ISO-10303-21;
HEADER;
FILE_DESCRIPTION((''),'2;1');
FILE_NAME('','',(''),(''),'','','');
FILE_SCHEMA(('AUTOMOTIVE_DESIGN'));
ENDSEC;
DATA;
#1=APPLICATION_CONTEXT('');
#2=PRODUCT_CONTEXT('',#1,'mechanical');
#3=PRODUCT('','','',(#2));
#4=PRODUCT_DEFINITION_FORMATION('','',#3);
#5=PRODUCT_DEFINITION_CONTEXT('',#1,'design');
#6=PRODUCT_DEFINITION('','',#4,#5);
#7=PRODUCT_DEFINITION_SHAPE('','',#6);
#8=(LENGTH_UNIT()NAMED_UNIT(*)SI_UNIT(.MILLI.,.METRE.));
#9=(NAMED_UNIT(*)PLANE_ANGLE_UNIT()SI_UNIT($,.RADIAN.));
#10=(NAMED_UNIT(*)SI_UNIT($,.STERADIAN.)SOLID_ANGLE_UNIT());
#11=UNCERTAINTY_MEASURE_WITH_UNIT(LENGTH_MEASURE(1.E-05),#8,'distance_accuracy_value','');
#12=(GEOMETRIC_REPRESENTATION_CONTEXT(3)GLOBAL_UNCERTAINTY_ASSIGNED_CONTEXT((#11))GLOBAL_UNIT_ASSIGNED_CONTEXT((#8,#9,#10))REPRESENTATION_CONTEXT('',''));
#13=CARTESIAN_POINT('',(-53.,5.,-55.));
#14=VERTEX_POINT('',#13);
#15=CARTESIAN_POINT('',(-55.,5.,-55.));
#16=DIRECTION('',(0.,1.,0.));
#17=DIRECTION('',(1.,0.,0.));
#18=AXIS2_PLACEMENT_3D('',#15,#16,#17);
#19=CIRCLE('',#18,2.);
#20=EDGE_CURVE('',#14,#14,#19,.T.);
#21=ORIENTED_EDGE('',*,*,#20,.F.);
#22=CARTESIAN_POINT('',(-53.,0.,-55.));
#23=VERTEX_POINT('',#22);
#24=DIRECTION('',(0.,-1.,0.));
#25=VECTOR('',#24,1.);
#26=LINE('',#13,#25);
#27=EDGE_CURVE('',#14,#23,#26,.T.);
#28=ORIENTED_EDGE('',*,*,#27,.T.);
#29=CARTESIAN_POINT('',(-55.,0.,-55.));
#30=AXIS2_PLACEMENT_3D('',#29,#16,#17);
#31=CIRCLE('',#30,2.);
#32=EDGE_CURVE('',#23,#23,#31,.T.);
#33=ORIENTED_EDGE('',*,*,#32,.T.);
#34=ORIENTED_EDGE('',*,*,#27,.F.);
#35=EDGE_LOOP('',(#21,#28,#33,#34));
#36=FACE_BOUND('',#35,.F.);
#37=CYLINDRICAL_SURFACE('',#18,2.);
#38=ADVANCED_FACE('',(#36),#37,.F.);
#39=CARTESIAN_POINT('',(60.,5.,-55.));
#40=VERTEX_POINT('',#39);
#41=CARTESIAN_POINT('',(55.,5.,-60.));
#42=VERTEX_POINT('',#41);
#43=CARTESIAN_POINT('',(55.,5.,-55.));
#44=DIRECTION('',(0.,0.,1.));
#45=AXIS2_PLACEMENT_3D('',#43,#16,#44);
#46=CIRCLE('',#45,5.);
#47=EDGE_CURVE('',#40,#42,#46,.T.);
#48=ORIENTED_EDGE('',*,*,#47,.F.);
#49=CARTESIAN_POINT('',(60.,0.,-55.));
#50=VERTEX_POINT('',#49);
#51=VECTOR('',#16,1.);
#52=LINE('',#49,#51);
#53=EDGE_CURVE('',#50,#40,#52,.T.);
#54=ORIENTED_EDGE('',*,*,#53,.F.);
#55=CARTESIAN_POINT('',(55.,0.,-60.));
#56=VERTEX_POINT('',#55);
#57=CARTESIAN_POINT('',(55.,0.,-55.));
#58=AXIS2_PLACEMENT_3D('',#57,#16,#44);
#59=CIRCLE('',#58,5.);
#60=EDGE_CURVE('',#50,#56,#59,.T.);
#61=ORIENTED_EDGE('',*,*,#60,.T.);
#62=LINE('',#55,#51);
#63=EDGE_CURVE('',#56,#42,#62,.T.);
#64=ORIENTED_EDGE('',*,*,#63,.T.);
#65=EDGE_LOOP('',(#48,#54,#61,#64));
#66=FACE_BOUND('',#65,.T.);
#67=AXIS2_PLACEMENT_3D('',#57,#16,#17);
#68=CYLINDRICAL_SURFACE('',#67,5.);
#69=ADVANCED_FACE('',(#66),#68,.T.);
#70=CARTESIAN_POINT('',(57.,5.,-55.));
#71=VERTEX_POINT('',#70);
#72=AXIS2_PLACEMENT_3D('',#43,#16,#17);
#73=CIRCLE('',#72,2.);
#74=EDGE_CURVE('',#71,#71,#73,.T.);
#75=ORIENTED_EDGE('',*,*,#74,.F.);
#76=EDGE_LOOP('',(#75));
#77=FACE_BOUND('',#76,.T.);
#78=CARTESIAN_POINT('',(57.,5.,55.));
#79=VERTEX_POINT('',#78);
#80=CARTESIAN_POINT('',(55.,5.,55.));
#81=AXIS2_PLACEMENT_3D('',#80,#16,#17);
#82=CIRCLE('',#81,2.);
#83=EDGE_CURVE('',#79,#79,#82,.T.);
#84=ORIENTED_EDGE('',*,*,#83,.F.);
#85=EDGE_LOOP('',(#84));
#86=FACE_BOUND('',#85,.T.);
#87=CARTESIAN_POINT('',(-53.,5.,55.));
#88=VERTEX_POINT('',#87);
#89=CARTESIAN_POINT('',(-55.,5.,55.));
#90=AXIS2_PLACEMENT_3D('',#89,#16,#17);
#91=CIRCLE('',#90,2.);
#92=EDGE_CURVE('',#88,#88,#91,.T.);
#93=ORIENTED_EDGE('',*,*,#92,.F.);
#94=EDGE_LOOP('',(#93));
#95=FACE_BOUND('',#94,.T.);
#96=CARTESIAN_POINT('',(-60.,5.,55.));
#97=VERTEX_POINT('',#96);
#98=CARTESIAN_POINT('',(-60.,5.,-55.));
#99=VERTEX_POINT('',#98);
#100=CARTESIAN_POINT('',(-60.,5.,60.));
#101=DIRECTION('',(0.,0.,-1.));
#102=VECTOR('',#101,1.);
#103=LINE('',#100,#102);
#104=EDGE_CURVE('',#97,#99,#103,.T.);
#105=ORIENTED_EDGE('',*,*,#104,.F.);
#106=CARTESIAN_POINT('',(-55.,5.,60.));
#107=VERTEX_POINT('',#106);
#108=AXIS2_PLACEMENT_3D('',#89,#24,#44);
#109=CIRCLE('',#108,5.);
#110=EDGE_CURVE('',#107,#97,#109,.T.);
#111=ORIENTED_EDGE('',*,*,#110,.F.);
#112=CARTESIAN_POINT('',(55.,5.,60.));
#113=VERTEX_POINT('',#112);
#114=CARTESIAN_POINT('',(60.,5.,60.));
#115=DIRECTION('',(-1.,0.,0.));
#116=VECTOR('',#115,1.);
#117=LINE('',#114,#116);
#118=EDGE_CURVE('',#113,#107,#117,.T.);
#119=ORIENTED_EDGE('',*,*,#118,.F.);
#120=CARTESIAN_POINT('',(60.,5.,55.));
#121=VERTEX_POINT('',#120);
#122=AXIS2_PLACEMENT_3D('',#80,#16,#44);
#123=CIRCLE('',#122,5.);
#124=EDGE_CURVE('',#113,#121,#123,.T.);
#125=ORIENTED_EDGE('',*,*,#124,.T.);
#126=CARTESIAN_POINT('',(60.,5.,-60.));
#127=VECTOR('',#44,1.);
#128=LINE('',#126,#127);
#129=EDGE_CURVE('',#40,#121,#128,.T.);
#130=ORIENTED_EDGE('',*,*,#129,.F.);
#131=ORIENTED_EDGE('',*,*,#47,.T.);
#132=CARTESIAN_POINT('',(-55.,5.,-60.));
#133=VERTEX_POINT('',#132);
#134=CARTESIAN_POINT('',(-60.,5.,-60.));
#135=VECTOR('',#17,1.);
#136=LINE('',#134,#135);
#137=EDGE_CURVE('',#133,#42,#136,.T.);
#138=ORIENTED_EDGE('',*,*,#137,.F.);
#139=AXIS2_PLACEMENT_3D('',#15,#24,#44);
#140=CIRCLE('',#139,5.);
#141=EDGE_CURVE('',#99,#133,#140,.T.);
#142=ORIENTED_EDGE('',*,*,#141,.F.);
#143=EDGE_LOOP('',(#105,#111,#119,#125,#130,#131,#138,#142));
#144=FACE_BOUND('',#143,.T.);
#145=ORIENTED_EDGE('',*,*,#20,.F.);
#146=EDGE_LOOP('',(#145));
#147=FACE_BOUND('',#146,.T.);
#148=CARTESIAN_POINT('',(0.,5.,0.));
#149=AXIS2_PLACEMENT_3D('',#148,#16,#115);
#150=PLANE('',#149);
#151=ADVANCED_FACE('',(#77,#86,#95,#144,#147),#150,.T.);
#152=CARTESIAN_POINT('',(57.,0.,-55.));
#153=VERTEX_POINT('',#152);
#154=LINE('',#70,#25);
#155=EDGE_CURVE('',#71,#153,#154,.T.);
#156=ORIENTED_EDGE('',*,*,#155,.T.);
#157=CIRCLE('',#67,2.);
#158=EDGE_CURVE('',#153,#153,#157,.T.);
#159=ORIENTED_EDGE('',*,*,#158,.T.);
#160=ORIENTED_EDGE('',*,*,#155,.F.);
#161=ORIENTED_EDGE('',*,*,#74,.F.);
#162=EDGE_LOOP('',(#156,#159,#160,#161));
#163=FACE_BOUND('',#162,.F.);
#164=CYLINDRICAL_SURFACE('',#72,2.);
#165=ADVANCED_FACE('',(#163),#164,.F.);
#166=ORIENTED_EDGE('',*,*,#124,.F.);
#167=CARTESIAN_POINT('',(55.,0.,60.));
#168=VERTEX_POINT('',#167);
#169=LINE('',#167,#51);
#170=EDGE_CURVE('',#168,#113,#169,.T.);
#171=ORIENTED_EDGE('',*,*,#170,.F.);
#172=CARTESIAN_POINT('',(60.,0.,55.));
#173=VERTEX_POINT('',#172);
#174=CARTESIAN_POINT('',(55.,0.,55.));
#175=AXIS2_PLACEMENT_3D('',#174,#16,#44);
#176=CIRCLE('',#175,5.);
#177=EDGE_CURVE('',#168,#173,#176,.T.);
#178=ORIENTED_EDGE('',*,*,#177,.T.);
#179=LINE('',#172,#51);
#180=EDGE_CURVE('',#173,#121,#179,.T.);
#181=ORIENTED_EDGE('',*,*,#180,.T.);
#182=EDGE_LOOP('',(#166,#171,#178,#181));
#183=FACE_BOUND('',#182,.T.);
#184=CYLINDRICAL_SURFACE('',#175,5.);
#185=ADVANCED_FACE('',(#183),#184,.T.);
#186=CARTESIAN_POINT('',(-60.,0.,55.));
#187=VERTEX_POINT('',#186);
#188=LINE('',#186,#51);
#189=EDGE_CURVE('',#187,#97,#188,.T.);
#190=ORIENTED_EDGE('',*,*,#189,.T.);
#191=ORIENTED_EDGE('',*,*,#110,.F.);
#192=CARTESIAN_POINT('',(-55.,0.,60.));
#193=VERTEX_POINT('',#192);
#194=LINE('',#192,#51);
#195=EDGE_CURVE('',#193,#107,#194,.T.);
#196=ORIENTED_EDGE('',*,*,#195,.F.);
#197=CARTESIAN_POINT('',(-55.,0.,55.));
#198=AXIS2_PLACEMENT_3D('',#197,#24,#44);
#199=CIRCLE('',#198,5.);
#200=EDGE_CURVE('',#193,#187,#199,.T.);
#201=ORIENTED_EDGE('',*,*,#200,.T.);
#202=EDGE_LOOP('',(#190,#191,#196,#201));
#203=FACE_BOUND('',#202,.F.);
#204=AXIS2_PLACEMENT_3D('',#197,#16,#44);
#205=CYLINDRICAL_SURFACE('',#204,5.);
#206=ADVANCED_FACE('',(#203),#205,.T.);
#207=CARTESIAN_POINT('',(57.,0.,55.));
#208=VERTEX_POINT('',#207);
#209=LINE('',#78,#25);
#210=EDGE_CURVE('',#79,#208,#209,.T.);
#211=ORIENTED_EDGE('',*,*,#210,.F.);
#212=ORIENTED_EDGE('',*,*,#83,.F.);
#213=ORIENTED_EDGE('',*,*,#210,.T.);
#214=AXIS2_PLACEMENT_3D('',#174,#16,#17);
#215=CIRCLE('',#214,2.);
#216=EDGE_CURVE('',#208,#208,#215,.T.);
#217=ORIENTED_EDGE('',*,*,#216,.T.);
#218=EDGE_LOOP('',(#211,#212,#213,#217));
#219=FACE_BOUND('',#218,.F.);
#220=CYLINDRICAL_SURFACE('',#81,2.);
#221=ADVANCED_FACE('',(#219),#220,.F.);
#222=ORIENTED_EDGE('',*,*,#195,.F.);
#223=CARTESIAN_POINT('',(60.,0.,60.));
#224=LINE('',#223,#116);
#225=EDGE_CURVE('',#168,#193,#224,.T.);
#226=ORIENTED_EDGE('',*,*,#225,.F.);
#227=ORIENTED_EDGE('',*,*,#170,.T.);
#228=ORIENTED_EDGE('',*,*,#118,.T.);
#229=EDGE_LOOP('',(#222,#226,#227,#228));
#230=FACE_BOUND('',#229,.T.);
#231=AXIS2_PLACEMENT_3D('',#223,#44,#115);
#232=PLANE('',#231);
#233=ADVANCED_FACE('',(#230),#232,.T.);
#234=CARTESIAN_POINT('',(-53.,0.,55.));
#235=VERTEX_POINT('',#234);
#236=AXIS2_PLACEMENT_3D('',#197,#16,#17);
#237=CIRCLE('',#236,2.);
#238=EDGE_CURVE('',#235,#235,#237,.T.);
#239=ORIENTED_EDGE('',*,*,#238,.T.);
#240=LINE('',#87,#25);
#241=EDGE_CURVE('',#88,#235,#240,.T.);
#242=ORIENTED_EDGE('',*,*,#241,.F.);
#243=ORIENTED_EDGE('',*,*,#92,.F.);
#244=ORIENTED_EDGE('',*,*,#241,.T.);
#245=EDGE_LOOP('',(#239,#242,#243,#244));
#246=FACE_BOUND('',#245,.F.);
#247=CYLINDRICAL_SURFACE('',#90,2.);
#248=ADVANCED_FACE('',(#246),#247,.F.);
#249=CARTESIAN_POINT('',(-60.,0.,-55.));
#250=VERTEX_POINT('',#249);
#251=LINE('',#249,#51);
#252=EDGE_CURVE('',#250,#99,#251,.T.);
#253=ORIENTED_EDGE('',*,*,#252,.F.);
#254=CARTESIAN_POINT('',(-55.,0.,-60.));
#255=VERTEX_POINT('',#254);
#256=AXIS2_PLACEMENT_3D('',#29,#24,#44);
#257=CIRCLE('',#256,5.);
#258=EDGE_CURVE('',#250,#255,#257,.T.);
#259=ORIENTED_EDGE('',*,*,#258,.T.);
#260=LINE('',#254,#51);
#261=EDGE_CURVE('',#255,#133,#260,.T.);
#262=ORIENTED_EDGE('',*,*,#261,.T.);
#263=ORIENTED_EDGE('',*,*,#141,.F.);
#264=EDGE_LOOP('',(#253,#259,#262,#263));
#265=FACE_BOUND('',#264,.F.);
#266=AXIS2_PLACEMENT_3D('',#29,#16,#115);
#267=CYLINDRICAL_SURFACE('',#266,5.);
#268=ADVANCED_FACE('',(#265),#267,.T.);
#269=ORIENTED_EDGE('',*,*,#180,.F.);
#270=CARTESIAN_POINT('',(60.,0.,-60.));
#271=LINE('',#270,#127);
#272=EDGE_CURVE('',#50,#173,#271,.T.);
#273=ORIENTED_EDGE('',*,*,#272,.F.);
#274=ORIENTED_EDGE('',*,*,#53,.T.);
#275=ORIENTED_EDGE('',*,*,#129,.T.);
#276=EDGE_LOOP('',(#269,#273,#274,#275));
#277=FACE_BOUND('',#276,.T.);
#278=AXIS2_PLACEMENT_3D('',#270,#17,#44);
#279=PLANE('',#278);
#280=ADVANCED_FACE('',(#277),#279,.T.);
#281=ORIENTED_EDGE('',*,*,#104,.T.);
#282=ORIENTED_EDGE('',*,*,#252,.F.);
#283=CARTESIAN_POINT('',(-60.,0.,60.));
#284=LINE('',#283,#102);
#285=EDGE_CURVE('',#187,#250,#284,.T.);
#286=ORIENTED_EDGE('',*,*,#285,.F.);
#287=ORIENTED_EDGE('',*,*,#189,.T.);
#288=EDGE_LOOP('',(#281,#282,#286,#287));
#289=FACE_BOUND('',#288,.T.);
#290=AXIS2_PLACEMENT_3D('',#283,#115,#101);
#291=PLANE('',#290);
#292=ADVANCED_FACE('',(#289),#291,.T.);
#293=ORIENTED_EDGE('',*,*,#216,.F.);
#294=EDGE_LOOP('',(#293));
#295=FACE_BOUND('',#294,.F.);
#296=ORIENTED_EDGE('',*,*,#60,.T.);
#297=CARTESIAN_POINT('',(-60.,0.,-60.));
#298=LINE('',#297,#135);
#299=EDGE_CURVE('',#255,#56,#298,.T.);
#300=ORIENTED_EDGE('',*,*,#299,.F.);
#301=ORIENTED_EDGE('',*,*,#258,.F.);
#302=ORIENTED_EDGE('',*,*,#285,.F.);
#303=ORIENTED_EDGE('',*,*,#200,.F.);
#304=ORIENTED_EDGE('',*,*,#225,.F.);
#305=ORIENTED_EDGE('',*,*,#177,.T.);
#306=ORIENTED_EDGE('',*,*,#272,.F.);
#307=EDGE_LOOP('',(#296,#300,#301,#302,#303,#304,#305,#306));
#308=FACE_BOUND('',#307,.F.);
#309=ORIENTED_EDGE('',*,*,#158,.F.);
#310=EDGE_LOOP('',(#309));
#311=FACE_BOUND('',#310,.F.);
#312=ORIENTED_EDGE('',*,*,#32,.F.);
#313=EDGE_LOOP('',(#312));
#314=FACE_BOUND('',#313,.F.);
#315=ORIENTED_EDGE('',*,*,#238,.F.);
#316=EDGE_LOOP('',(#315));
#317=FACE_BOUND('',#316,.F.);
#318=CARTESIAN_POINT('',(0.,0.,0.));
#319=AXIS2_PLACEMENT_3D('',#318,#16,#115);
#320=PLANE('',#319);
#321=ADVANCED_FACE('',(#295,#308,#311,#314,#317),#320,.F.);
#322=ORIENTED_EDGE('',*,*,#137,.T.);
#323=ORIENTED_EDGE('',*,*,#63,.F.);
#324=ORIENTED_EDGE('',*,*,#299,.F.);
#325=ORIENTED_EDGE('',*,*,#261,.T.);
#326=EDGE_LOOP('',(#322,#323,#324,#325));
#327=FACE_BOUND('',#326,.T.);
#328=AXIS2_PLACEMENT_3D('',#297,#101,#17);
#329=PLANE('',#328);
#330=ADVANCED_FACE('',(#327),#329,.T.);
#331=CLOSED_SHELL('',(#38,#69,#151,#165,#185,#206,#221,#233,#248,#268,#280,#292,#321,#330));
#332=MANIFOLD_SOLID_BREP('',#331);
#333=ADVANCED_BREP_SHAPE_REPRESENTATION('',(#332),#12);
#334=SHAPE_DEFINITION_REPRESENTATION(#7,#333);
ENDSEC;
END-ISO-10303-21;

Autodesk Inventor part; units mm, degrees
ref_plane "YZ Plane" through (0, 0, 0) normal (1, 0, 0) x (0, 1, 0)
ref_plane "XZ Plane" through (0, 0, 0) normal (0, 1, 0) x (-1, 0, 0)
ref_plane "XY Plane" through (0, 0, 0) normal (0, 0, 1) x (1, 0, 0)
sketch "Sketch1" plane through (0, 0, 0) normal (0, 1, 0) x (-1, 0, 0)
  line L0 (-60, 60) -> (60, 60)
  line L1 (60, 60) -> (60, -60)
  line L2 (60, -60) -> (-60, -60)
  line L3 (-60, -60) -> (-60, 60)
  line L4 (-60, 60) -> (60, -60) construction
  line L5 (60, 60) -> (-60, -60) construction
  point P0 (0, 0)
  dimension "d0" = 120
  dimension "d1" = 120
extrude "Extrusion1" add sketch "Sketch1" along normal blind 5
sketch "Sketch2" plane through (0, 5, 0) normal (0, 1, 0) x (1, 0, 0)
  line L0 (55, -55) -> (-55, -55) construction
  line L1 (-55, -55) -> (-55, 55) construction
  line L2 (-55, 55) -> (55, 55) construction
  line L3 (55, 55) -> (55, -55) construction
  line L4 (55, -55) -> (-55, 55) construction
  line L5 (-55, -55) -> (55, 55) construction
  circle A0 centre (-55, 55) radius 2
  circle A1 centre (-55, -55) radius 2
  circle A2 centre (55, 55) radius 2
  circle A3 centre (55, -55) radius 2
  point P0 (0, 0)
  dimension "d4" = 110
  dimension "d5" = 110
  dimension "d6" = 4
  dimension "d7" = 4
  dimension "d8" = 4
  dimension "d9" = 4
extrude "Extrusion2" cut sketch "Sketch2" against normal blind 5
fillet "Fillet1" radius 5 4 edges at (60, 2.5, -60) (60, 2.5, 60) (-60, 2.5, -60) (-60, 2.5, 60)
sketch "Sketch3" plane through (0, 5, 0) normal (0, 1, 0) x (1, 0, 0)
  circle A0 centre (0, 0) radius 7.5
  dimension "d13" = 15
properties part number "Arena"
